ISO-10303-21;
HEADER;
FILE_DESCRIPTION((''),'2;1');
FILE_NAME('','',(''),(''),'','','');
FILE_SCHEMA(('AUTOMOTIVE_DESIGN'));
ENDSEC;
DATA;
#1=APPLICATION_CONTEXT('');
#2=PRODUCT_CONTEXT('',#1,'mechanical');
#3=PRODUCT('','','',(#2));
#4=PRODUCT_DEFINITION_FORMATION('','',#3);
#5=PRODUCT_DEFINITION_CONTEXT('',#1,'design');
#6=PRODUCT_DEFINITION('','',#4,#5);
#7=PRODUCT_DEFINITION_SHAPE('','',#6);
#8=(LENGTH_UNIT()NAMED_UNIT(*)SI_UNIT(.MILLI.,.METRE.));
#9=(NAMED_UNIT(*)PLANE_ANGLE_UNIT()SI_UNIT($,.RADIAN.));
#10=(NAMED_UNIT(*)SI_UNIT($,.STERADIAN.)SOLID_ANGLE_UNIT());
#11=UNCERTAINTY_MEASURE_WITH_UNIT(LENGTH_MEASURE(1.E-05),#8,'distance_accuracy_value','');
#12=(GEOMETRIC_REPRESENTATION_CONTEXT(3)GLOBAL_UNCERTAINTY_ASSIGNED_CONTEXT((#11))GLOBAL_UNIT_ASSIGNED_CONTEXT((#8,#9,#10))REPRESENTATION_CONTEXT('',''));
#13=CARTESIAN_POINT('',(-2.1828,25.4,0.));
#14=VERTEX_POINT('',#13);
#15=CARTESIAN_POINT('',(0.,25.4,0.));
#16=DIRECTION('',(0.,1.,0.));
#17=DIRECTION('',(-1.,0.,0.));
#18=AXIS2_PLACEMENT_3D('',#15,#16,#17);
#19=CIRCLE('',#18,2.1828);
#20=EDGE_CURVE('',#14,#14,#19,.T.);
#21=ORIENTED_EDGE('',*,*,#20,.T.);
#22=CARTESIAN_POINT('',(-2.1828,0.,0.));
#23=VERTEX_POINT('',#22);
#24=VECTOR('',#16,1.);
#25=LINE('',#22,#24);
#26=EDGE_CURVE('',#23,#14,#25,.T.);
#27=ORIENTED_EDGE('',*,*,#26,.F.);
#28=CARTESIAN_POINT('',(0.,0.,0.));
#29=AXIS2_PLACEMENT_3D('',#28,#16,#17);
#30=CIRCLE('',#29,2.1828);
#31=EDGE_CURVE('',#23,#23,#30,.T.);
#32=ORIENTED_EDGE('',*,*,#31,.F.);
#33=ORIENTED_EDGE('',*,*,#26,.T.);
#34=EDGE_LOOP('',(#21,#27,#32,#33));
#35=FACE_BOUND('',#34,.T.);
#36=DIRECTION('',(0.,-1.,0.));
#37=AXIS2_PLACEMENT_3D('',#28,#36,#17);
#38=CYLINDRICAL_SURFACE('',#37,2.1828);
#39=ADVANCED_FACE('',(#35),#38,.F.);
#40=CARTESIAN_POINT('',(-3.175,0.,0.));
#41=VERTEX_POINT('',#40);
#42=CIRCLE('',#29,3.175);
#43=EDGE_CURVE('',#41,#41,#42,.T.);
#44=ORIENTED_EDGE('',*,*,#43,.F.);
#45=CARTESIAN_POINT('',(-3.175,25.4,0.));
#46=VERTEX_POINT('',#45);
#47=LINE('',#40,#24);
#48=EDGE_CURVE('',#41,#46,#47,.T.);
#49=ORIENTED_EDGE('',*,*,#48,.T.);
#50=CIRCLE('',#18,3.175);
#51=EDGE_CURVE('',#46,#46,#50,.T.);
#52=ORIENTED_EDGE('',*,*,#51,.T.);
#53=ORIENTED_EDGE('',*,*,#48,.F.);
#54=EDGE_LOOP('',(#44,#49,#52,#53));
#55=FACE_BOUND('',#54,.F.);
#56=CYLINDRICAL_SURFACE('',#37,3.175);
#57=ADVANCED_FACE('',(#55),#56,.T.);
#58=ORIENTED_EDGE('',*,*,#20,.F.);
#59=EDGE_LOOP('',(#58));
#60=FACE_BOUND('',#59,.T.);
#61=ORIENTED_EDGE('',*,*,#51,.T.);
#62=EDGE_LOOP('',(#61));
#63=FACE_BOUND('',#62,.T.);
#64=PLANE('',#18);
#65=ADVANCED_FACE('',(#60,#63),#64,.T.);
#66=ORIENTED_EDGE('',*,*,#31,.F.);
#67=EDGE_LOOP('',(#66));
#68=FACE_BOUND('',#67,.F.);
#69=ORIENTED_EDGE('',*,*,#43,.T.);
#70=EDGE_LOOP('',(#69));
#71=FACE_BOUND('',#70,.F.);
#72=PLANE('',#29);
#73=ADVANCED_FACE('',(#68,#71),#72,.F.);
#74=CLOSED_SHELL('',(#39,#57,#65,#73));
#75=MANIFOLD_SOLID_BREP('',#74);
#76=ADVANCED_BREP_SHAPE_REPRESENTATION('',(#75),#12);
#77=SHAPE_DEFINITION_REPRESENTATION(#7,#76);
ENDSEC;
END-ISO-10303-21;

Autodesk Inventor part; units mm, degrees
ref_plane "YZ Plane" through (0, 0, 0) normal (1, 0, 0) x (0, 1, 0)
ref_plane "XZ Plane" through (0, 0, 0) normal (0, 1, 0) x (-1, 0, 0)
ref_plane "XY Plane" through (0, 0, 0) normal (0, 0, 1) x (1, 0, 0)
sketch "Sketch1" plane through (0, 0, 0) normal (0, 1, 0) x (-1, 0, 0)
  circle A0 centre (0, 0) radius 3.175
  circle A1 centre (0, 0) radius 2.1828
  dimension "d0" = 6.35
  dimension "d1" = 4.3656
extrude "Extrusion1" add sketch "Sketch1" along normal blind 25.4
properties part number "1.0 1-2 od" material "Stainless Steel"
